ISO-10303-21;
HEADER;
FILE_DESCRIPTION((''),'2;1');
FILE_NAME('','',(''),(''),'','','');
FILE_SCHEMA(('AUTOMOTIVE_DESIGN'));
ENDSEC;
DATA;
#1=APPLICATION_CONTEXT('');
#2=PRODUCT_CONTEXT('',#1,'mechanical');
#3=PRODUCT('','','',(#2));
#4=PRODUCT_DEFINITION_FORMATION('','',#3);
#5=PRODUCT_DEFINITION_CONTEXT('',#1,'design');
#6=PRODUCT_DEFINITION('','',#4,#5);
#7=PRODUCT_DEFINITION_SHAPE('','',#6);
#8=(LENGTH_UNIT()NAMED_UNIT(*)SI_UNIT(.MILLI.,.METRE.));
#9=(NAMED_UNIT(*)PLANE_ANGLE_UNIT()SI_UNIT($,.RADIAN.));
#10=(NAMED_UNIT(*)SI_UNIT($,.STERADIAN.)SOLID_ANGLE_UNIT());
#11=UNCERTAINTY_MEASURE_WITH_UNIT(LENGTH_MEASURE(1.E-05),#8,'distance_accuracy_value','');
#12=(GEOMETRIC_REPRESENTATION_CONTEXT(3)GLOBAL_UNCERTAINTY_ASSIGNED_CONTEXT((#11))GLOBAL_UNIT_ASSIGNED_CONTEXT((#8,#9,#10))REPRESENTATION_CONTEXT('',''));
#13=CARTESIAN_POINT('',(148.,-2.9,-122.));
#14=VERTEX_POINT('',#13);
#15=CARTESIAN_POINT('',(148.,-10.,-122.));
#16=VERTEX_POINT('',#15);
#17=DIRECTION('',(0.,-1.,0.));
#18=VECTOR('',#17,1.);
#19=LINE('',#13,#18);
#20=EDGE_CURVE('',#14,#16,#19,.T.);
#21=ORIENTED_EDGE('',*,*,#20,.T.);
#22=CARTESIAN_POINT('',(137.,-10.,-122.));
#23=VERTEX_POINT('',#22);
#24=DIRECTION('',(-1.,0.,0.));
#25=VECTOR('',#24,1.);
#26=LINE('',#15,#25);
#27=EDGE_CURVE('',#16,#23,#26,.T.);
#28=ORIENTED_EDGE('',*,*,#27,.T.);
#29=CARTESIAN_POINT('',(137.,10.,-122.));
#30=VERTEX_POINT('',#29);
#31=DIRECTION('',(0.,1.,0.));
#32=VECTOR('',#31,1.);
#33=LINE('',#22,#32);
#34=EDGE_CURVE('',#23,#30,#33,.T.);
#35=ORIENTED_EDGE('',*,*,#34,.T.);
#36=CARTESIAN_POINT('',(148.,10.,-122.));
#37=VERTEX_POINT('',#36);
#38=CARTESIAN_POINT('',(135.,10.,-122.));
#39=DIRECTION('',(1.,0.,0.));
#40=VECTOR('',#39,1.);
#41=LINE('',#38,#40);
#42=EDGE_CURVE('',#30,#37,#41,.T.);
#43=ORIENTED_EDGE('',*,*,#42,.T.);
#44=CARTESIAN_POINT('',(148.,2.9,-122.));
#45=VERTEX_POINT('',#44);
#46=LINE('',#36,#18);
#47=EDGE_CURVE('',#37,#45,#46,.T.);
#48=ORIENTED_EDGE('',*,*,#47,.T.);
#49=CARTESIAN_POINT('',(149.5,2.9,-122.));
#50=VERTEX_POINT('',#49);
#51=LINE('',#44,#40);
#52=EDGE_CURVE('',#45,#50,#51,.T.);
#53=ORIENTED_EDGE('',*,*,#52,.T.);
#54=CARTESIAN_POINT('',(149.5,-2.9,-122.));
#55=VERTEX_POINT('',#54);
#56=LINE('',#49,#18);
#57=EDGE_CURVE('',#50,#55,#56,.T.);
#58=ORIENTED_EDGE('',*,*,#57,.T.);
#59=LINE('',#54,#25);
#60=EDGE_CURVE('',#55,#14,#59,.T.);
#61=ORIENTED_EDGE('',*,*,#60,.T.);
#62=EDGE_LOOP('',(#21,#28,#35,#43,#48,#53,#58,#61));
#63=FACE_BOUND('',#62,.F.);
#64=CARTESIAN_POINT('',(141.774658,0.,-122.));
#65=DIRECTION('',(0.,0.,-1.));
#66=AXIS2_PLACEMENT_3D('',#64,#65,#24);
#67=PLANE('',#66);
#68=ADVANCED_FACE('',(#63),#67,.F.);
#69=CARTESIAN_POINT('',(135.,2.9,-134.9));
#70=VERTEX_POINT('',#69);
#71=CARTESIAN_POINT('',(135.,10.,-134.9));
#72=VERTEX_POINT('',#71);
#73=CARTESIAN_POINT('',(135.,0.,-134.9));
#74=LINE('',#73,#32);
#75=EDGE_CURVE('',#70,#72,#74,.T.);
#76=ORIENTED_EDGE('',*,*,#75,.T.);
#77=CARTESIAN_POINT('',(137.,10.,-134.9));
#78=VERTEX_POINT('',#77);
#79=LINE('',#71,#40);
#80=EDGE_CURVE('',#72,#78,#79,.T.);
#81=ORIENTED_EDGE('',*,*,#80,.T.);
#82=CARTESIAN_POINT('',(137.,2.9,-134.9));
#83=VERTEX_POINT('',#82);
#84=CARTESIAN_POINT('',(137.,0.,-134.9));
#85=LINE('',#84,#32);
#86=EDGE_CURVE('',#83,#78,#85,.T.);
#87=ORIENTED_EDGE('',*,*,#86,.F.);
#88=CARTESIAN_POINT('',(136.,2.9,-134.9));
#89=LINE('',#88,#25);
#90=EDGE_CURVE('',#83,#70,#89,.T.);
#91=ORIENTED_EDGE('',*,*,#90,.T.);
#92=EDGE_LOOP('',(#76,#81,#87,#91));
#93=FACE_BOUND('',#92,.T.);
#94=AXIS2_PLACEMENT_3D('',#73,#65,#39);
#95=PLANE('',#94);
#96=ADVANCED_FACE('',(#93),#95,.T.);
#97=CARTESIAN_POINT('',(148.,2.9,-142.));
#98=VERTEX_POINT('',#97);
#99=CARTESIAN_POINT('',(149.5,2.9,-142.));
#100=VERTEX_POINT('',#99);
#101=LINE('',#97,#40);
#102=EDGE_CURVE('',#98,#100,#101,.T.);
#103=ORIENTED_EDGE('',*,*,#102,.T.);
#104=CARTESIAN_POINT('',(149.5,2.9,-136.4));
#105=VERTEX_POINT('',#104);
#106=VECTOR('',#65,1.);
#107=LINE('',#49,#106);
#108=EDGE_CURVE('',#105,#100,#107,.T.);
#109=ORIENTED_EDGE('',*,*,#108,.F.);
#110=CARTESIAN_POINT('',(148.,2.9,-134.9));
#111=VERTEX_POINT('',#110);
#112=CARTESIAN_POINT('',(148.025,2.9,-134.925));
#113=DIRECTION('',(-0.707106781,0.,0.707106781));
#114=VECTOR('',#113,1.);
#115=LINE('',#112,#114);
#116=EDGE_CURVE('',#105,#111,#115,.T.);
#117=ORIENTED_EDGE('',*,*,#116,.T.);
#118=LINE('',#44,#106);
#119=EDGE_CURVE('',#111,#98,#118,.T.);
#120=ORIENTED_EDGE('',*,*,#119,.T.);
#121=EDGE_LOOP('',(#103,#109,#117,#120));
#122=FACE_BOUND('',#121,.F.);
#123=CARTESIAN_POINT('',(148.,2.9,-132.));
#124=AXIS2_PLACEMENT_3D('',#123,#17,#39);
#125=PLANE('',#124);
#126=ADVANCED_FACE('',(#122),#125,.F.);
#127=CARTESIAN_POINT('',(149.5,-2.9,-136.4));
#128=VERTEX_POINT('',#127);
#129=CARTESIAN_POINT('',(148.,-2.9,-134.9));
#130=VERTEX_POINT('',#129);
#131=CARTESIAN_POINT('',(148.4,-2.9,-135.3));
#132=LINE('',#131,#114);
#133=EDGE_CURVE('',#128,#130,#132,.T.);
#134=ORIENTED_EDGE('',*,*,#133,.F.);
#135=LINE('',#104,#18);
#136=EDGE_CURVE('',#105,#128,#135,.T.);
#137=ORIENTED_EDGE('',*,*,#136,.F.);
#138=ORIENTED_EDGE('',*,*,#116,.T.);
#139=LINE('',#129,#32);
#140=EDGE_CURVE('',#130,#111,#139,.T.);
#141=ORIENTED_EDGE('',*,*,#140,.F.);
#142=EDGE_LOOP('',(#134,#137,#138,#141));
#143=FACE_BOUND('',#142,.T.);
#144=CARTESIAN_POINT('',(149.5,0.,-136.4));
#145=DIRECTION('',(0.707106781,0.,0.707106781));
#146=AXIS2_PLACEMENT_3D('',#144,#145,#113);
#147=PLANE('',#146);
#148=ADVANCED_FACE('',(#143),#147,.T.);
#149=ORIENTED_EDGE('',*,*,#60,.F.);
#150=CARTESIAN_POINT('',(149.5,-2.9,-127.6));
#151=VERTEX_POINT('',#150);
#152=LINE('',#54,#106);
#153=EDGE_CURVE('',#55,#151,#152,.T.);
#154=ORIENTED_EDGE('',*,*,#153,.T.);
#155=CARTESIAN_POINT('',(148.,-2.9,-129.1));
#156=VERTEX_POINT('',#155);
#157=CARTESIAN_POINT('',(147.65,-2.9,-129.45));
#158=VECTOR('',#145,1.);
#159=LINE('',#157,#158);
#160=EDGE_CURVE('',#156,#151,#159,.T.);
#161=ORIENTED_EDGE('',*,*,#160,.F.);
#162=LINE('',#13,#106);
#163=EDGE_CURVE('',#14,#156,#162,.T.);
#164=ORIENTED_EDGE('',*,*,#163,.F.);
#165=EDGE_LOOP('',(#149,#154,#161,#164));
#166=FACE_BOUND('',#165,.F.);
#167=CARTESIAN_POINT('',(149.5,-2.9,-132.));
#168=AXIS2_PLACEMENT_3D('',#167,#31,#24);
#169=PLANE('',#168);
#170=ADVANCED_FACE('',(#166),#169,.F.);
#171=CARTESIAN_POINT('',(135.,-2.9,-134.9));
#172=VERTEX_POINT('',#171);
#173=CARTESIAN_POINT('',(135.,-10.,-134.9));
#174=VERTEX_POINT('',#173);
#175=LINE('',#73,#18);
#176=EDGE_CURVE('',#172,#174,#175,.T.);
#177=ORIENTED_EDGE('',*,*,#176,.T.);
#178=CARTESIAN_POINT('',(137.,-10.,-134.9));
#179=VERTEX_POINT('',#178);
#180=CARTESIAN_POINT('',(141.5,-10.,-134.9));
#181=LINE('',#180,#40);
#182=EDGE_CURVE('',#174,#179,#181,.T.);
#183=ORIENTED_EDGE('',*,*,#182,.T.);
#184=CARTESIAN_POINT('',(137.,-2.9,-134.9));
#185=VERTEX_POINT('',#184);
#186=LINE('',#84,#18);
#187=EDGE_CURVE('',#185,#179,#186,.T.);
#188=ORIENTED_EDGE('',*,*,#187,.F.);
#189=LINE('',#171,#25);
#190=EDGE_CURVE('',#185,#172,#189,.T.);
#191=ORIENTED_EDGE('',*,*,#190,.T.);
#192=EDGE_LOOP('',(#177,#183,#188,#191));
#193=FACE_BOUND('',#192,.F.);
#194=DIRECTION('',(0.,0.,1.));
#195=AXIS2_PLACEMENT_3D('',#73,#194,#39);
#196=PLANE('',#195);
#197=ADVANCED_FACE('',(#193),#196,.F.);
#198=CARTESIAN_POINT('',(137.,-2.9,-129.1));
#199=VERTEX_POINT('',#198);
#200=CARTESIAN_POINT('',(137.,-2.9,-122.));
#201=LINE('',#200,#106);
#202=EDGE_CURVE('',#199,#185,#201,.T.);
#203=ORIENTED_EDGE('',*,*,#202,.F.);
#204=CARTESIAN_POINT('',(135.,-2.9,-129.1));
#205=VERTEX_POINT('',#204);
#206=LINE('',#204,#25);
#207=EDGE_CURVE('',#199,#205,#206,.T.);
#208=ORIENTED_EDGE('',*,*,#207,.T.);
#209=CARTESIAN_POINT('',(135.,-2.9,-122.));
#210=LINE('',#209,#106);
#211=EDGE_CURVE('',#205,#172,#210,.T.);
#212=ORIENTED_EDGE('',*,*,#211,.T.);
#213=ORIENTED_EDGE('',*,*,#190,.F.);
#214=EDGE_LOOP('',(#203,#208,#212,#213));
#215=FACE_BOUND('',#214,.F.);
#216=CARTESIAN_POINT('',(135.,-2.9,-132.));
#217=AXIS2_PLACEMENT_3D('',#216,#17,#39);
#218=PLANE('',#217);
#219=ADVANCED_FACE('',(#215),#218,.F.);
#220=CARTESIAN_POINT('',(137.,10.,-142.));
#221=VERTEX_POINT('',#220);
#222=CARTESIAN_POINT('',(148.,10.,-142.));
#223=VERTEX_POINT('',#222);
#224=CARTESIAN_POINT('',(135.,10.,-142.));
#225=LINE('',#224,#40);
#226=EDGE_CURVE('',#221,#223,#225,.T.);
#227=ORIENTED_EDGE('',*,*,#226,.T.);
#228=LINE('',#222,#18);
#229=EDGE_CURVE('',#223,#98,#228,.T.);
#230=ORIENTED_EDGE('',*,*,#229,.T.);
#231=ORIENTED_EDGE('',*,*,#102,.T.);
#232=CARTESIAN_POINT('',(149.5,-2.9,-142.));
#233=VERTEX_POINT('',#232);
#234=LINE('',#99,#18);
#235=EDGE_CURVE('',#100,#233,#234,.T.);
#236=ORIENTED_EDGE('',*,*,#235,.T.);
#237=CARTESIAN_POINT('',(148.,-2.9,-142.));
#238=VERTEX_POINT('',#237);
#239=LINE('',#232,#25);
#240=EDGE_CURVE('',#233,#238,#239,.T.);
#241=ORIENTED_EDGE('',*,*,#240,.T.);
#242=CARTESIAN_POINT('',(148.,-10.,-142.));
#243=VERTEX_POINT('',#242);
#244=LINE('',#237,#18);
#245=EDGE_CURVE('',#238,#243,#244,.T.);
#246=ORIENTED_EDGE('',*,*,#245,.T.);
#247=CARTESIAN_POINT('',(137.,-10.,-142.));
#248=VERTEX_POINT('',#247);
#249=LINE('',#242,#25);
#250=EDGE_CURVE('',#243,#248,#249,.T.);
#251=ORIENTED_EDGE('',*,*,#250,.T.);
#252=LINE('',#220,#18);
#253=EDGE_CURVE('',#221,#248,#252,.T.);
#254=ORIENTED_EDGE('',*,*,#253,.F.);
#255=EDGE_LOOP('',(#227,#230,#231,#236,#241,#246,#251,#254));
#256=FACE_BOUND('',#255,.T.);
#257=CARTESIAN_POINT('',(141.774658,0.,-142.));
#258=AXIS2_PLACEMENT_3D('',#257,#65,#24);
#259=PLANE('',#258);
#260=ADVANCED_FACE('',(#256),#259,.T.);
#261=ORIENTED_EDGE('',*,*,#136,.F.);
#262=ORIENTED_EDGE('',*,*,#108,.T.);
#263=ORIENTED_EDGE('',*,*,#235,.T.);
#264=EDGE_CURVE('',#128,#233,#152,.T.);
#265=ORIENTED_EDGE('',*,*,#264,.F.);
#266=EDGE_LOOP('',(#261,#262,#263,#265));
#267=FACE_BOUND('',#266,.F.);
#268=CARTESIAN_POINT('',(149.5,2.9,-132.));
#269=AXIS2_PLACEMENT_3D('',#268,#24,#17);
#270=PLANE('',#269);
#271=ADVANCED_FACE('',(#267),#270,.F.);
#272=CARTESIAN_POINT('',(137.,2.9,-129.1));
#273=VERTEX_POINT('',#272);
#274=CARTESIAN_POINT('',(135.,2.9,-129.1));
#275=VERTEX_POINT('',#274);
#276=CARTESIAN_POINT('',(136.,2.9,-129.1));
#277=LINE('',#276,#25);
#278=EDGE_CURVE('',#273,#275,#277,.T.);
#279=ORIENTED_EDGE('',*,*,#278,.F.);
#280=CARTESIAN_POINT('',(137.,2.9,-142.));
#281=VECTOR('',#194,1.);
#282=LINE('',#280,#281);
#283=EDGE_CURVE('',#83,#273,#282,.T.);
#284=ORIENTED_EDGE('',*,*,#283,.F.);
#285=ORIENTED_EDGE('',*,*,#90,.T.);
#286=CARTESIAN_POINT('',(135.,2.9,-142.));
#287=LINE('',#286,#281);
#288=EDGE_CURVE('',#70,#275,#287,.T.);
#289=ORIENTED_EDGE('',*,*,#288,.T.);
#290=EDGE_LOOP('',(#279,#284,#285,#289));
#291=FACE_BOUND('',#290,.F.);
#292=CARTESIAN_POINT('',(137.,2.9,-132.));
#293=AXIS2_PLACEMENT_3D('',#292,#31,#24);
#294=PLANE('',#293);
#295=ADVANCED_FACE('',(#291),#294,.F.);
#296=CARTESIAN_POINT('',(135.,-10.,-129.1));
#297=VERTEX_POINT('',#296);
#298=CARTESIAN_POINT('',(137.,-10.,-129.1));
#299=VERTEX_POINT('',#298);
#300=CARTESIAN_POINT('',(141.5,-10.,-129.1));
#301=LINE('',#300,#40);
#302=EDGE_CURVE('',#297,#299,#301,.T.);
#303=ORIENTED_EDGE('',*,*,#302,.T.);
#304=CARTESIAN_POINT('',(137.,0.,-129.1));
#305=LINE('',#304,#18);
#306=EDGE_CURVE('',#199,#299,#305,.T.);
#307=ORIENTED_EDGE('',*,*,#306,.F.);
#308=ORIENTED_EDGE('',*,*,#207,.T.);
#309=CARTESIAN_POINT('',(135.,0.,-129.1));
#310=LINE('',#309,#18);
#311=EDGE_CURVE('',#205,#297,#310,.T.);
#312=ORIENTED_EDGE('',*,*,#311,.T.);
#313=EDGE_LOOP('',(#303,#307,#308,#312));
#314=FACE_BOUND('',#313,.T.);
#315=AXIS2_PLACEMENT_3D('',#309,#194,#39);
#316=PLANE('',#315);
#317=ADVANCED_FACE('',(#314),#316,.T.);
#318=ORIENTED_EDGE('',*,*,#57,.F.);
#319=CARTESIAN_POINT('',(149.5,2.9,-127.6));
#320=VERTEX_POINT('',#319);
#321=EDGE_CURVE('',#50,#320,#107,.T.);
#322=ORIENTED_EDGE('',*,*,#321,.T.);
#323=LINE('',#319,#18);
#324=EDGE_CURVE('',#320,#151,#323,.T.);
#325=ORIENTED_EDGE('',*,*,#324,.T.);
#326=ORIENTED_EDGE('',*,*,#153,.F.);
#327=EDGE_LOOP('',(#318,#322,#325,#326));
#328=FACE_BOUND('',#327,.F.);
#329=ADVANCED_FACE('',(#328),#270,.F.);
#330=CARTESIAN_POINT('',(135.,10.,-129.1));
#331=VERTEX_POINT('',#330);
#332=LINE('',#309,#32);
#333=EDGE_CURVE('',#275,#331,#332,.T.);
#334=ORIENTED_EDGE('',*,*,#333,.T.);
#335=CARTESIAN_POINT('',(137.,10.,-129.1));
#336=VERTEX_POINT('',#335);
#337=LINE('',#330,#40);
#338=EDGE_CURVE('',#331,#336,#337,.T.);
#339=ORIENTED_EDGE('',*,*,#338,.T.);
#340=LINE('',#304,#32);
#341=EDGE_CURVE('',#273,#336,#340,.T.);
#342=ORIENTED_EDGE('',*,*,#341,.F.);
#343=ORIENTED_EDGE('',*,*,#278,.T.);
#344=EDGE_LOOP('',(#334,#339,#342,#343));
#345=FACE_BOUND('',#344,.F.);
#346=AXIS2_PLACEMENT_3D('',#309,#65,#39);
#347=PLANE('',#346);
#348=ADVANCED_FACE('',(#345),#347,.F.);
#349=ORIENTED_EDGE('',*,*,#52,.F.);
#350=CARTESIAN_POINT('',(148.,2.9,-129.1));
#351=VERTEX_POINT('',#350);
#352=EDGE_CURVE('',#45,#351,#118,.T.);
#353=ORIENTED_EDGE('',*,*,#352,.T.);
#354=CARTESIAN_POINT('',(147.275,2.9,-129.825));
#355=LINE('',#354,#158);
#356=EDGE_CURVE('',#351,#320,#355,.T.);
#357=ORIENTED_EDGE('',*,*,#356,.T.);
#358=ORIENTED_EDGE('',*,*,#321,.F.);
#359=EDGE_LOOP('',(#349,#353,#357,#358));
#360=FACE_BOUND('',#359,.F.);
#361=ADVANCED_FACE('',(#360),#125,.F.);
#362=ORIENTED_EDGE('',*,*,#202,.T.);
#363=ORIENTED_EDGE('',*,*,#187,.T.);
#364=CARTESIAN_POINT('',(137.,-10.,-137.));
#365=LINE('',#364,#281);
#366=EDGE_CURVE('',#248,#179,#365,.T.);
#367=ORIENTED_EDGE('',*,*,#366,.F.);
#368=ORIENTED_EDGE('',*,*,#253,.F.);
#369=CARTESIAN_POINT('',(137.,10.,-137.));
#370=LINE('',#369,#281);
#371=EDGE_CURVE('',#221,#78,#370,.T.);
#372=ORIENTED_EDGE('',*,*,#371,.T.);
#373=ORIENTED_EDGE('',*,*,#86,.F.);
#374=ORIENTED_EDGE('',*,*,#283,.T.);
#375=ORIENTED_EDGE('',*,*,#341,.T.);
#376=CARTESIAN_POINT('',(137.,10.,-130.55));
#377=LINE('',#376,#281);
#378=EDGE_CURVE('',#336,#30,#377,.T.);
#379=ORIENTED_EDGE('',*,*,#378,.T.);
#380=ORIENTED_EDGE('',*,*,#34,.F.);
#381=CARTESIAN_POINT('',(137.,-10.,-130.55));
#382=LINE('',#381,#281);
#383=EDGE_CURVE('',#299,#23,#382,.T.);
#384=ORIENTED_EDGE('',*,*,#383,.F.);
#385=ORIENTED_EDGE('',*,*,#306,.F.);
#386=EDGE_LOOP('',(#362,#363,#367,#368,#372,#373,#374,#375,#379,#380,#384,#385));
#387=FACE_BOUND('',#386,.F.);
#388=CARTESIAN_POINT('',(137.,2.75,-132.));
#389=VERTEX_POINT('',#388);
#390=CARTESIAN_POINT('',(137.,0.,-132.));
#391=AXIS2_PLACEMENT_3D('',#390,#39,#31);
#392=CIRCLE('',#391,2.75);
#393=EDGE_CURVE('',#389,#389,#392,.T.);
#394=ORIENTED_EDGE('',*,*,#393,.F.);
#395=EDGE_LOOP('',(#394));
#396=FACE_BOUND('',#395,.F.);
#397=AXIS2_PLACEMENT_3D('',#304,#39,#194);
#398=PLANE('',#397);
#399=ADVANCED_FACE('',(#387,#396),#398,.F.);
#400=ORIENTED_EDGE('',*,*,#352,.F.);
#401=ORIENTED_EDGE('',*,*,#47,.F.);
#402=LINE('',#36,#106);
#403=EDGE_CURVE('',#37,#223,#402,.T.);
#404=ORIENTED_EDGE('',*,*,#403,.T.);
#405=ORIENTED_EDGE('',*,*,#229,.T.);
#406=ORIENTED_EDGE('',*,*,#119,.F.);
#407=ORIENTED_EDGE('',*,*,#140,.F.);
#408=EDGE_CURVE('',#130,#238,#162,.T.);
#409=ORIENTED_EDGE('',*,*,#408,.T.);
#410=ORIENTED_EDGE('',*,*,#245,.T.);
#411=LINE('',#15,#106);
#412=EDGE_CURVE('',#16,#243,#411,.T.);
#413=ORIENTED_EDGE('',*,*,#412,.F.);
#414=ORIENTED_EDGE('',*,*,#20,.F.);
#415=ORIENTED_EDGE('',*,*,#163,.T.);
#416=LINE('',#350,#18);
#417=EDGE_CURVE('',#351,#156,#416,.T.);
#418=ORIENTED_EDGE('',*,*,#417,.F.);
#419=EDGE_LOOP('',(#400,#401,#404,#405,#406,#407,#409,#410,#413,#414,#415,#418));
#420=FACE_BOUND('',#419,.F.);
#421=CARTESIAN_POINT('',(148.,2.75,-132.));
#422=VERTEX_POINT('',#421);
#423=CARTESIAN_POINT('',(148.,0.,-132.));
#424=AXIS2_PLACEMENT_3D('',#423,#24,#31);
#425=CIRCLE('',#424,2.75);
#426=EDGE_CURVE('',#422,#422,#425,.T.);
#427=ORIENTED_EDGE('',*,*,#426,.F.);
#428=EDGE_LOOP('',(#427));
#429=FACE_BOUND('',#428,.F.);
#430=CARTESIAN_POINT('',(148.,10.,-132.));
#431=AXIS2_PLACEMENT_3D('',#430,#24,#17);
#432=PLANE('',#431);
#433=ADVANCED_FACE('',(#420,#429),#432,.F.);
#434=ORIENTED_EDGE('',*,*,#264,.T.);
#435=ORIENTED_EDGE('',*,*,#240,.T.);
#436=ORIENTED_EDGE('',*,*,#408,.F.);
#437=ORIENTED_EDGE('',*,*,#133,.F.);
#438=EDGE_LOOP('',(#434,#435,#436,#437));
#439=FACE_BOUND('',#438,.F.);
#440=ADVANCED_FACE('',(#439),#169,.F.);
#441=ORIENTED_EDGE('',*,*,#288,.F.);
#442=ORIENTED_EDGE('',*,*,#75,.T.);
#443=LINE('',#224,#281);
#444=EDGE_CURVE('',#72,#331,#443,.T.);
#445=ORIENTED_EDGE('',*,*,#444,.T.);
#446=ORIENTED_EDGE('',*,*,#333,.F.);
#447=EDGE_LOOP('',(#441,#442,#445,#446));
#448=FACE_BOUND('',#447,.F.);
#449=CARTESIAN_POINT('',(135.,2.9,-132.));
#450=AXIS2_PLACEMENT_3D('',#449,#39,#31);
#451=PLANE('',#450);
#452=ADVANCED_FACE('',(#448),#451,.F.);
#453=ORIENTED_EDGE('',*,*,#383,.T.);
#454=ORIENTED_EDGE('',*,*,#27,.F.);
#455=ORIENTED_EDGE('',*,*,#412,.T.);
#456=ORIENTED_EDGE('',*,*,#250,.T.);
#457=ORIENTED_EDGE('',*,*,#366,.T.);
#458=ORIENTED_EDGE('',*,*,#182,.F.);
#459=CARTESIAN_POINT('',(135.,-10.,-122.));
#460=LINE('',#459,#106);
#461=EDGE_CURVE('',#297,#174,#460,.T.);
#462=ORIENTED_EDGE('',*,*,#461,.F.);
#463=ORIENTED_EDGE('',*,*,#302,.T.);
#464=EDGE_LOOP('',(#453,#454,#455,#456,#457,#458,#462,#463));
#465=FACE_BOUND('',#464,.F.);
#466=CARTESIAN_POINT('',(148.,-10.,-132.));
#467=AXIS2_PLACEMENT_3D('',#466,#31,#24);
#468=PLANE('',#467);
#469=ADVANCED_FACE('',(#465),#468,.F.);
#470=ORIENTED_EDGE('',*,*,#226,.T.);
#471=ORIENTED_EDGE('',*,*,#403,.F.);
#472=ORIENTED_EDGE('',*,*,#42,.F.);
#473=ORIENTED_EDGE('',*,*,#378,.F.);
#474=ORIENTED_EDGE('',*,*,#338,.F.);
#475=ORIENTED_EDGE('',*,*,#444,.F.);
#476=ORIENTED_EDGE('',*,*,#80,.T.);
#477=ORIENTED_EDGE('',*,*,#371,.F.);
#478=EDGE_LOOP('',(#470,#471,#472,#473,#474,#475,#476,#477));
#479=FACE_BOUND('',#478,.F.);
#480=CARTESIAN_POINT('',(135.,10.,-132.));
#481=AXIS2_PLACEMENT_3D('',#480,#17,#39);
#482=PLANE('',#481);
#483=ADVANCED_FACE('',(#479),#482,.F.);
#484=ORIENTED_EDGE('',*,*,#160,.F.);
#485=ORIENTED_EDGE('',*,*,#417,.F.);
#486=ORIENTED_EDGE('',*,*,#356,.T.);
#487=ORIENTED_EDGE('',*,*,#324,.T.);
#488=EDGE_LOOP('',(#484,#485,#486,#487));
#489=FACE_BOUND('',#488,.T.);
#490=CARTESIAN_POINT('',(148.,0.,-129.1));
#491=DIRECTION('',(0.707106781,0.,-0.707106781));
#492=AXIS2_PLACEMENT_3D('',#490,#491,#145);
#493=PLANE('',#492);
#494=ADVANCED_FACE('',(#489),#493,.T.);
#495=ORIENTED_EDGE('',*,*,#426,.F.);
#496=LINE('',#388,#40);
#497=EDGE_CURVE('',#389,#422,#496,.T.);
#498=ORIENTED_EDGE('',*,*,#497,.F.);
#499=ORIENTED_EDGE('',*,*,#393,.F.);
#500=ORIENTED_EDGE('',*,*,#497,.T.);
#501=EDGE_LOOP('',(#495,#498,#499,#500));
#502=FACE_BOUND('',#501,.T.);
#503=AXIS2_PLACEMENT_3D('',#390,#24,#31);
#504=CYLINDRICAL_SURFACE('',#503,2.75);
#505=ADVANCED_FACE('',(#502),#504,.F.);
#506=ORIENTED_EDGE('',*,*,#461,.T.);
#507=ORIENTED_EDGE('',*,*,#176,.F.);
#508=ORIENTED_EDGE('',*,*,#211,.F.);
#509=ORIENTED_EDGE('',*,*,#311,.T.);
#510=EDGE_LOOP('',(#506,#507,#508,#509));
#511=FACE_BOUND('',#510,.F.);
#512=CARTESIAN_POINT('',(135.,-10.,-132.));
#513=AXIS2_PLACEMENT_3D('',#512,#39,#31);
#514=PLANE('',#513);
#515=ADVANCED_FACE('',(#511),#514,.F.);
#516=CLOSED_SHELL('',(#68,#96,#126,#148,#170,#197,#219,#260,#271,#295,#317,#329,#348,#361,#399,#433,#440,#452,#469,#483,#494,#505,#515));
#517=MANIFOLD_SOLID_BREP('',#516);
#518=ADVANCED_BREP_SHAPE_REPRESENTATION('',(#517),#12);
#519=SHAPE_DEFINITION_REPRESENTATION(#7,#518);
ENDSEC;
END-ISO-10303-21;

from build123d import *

# Parameters (mm, degrees)
PAD035_DEPTH         = 10
SKETCH097_W          = 2
SKETCH097_H          = 7.1
POCKET055_DEPTH      = 10.001
POCKET055_DEPTH_BACK = 10.001
SKETCH098_R          = 2.75
POCKET056_DEPTH      = 2.001
POCKET056_DEPTH_BACK = 12.501


with BuildPart() as part:
    # Sketch096 → Pad035 (new body, symmetric)
    with BuildSketch(Plane.XY):
        Polygon((-2, 10), (11, 10), (11, 2.9), (12.5, 2.9), (12.5, -2.9), (11, -2.9), (11, -10), (-2, -10), (-2, -2.9), (0, -2.9), (0, 2.9), (-2, 2.9), align=None)
    extrude(amount=PAD035_DEPTH, both=True)

    # Sketch097 → Pocket055 (cut, two sides)
    with BuildSketch(Plane.XZ) as pocket055_sk:
        with Locations((-1, -6.45)):
            Rectangle(SKETCH097_W, SKETCH097_H)
        with Locations((-1, 6.45)):
            Rectangle(SKETCH097_W, SKETCH097_H)
        Polygon((11, 2.9), (12.5, 4.4), (12.5, -4.4), (11, -2.9), align=None)
    extrude(amount=-POCKET055_DEPTH, mode=Mode.SUBTRACT)
    extrude(pocket055_sk.sketch, amount=POCKET055_DEPTH_BACK, mode=Mode.SUBTRACT)

    # Sketch098 → Pocket056 (cut, two sides)
    with BuildSketch(Plane.YZ) as pocket056_sk:
        Circle(SKETCH098_R)
    extrude(amount=-POCKET056_DEPTH, mode=Mode.SUBTRACT)
    extrude(pocket056_sk.sketch, amount=POCKET056_DEPTH_BACK, mode=Mode.SUBTRACT)


with BuildPart() as part_1:
    # Body022016 placement: moved
    add(part.part.moved(Location((137, 0, -132))))


solid = part_1.part
